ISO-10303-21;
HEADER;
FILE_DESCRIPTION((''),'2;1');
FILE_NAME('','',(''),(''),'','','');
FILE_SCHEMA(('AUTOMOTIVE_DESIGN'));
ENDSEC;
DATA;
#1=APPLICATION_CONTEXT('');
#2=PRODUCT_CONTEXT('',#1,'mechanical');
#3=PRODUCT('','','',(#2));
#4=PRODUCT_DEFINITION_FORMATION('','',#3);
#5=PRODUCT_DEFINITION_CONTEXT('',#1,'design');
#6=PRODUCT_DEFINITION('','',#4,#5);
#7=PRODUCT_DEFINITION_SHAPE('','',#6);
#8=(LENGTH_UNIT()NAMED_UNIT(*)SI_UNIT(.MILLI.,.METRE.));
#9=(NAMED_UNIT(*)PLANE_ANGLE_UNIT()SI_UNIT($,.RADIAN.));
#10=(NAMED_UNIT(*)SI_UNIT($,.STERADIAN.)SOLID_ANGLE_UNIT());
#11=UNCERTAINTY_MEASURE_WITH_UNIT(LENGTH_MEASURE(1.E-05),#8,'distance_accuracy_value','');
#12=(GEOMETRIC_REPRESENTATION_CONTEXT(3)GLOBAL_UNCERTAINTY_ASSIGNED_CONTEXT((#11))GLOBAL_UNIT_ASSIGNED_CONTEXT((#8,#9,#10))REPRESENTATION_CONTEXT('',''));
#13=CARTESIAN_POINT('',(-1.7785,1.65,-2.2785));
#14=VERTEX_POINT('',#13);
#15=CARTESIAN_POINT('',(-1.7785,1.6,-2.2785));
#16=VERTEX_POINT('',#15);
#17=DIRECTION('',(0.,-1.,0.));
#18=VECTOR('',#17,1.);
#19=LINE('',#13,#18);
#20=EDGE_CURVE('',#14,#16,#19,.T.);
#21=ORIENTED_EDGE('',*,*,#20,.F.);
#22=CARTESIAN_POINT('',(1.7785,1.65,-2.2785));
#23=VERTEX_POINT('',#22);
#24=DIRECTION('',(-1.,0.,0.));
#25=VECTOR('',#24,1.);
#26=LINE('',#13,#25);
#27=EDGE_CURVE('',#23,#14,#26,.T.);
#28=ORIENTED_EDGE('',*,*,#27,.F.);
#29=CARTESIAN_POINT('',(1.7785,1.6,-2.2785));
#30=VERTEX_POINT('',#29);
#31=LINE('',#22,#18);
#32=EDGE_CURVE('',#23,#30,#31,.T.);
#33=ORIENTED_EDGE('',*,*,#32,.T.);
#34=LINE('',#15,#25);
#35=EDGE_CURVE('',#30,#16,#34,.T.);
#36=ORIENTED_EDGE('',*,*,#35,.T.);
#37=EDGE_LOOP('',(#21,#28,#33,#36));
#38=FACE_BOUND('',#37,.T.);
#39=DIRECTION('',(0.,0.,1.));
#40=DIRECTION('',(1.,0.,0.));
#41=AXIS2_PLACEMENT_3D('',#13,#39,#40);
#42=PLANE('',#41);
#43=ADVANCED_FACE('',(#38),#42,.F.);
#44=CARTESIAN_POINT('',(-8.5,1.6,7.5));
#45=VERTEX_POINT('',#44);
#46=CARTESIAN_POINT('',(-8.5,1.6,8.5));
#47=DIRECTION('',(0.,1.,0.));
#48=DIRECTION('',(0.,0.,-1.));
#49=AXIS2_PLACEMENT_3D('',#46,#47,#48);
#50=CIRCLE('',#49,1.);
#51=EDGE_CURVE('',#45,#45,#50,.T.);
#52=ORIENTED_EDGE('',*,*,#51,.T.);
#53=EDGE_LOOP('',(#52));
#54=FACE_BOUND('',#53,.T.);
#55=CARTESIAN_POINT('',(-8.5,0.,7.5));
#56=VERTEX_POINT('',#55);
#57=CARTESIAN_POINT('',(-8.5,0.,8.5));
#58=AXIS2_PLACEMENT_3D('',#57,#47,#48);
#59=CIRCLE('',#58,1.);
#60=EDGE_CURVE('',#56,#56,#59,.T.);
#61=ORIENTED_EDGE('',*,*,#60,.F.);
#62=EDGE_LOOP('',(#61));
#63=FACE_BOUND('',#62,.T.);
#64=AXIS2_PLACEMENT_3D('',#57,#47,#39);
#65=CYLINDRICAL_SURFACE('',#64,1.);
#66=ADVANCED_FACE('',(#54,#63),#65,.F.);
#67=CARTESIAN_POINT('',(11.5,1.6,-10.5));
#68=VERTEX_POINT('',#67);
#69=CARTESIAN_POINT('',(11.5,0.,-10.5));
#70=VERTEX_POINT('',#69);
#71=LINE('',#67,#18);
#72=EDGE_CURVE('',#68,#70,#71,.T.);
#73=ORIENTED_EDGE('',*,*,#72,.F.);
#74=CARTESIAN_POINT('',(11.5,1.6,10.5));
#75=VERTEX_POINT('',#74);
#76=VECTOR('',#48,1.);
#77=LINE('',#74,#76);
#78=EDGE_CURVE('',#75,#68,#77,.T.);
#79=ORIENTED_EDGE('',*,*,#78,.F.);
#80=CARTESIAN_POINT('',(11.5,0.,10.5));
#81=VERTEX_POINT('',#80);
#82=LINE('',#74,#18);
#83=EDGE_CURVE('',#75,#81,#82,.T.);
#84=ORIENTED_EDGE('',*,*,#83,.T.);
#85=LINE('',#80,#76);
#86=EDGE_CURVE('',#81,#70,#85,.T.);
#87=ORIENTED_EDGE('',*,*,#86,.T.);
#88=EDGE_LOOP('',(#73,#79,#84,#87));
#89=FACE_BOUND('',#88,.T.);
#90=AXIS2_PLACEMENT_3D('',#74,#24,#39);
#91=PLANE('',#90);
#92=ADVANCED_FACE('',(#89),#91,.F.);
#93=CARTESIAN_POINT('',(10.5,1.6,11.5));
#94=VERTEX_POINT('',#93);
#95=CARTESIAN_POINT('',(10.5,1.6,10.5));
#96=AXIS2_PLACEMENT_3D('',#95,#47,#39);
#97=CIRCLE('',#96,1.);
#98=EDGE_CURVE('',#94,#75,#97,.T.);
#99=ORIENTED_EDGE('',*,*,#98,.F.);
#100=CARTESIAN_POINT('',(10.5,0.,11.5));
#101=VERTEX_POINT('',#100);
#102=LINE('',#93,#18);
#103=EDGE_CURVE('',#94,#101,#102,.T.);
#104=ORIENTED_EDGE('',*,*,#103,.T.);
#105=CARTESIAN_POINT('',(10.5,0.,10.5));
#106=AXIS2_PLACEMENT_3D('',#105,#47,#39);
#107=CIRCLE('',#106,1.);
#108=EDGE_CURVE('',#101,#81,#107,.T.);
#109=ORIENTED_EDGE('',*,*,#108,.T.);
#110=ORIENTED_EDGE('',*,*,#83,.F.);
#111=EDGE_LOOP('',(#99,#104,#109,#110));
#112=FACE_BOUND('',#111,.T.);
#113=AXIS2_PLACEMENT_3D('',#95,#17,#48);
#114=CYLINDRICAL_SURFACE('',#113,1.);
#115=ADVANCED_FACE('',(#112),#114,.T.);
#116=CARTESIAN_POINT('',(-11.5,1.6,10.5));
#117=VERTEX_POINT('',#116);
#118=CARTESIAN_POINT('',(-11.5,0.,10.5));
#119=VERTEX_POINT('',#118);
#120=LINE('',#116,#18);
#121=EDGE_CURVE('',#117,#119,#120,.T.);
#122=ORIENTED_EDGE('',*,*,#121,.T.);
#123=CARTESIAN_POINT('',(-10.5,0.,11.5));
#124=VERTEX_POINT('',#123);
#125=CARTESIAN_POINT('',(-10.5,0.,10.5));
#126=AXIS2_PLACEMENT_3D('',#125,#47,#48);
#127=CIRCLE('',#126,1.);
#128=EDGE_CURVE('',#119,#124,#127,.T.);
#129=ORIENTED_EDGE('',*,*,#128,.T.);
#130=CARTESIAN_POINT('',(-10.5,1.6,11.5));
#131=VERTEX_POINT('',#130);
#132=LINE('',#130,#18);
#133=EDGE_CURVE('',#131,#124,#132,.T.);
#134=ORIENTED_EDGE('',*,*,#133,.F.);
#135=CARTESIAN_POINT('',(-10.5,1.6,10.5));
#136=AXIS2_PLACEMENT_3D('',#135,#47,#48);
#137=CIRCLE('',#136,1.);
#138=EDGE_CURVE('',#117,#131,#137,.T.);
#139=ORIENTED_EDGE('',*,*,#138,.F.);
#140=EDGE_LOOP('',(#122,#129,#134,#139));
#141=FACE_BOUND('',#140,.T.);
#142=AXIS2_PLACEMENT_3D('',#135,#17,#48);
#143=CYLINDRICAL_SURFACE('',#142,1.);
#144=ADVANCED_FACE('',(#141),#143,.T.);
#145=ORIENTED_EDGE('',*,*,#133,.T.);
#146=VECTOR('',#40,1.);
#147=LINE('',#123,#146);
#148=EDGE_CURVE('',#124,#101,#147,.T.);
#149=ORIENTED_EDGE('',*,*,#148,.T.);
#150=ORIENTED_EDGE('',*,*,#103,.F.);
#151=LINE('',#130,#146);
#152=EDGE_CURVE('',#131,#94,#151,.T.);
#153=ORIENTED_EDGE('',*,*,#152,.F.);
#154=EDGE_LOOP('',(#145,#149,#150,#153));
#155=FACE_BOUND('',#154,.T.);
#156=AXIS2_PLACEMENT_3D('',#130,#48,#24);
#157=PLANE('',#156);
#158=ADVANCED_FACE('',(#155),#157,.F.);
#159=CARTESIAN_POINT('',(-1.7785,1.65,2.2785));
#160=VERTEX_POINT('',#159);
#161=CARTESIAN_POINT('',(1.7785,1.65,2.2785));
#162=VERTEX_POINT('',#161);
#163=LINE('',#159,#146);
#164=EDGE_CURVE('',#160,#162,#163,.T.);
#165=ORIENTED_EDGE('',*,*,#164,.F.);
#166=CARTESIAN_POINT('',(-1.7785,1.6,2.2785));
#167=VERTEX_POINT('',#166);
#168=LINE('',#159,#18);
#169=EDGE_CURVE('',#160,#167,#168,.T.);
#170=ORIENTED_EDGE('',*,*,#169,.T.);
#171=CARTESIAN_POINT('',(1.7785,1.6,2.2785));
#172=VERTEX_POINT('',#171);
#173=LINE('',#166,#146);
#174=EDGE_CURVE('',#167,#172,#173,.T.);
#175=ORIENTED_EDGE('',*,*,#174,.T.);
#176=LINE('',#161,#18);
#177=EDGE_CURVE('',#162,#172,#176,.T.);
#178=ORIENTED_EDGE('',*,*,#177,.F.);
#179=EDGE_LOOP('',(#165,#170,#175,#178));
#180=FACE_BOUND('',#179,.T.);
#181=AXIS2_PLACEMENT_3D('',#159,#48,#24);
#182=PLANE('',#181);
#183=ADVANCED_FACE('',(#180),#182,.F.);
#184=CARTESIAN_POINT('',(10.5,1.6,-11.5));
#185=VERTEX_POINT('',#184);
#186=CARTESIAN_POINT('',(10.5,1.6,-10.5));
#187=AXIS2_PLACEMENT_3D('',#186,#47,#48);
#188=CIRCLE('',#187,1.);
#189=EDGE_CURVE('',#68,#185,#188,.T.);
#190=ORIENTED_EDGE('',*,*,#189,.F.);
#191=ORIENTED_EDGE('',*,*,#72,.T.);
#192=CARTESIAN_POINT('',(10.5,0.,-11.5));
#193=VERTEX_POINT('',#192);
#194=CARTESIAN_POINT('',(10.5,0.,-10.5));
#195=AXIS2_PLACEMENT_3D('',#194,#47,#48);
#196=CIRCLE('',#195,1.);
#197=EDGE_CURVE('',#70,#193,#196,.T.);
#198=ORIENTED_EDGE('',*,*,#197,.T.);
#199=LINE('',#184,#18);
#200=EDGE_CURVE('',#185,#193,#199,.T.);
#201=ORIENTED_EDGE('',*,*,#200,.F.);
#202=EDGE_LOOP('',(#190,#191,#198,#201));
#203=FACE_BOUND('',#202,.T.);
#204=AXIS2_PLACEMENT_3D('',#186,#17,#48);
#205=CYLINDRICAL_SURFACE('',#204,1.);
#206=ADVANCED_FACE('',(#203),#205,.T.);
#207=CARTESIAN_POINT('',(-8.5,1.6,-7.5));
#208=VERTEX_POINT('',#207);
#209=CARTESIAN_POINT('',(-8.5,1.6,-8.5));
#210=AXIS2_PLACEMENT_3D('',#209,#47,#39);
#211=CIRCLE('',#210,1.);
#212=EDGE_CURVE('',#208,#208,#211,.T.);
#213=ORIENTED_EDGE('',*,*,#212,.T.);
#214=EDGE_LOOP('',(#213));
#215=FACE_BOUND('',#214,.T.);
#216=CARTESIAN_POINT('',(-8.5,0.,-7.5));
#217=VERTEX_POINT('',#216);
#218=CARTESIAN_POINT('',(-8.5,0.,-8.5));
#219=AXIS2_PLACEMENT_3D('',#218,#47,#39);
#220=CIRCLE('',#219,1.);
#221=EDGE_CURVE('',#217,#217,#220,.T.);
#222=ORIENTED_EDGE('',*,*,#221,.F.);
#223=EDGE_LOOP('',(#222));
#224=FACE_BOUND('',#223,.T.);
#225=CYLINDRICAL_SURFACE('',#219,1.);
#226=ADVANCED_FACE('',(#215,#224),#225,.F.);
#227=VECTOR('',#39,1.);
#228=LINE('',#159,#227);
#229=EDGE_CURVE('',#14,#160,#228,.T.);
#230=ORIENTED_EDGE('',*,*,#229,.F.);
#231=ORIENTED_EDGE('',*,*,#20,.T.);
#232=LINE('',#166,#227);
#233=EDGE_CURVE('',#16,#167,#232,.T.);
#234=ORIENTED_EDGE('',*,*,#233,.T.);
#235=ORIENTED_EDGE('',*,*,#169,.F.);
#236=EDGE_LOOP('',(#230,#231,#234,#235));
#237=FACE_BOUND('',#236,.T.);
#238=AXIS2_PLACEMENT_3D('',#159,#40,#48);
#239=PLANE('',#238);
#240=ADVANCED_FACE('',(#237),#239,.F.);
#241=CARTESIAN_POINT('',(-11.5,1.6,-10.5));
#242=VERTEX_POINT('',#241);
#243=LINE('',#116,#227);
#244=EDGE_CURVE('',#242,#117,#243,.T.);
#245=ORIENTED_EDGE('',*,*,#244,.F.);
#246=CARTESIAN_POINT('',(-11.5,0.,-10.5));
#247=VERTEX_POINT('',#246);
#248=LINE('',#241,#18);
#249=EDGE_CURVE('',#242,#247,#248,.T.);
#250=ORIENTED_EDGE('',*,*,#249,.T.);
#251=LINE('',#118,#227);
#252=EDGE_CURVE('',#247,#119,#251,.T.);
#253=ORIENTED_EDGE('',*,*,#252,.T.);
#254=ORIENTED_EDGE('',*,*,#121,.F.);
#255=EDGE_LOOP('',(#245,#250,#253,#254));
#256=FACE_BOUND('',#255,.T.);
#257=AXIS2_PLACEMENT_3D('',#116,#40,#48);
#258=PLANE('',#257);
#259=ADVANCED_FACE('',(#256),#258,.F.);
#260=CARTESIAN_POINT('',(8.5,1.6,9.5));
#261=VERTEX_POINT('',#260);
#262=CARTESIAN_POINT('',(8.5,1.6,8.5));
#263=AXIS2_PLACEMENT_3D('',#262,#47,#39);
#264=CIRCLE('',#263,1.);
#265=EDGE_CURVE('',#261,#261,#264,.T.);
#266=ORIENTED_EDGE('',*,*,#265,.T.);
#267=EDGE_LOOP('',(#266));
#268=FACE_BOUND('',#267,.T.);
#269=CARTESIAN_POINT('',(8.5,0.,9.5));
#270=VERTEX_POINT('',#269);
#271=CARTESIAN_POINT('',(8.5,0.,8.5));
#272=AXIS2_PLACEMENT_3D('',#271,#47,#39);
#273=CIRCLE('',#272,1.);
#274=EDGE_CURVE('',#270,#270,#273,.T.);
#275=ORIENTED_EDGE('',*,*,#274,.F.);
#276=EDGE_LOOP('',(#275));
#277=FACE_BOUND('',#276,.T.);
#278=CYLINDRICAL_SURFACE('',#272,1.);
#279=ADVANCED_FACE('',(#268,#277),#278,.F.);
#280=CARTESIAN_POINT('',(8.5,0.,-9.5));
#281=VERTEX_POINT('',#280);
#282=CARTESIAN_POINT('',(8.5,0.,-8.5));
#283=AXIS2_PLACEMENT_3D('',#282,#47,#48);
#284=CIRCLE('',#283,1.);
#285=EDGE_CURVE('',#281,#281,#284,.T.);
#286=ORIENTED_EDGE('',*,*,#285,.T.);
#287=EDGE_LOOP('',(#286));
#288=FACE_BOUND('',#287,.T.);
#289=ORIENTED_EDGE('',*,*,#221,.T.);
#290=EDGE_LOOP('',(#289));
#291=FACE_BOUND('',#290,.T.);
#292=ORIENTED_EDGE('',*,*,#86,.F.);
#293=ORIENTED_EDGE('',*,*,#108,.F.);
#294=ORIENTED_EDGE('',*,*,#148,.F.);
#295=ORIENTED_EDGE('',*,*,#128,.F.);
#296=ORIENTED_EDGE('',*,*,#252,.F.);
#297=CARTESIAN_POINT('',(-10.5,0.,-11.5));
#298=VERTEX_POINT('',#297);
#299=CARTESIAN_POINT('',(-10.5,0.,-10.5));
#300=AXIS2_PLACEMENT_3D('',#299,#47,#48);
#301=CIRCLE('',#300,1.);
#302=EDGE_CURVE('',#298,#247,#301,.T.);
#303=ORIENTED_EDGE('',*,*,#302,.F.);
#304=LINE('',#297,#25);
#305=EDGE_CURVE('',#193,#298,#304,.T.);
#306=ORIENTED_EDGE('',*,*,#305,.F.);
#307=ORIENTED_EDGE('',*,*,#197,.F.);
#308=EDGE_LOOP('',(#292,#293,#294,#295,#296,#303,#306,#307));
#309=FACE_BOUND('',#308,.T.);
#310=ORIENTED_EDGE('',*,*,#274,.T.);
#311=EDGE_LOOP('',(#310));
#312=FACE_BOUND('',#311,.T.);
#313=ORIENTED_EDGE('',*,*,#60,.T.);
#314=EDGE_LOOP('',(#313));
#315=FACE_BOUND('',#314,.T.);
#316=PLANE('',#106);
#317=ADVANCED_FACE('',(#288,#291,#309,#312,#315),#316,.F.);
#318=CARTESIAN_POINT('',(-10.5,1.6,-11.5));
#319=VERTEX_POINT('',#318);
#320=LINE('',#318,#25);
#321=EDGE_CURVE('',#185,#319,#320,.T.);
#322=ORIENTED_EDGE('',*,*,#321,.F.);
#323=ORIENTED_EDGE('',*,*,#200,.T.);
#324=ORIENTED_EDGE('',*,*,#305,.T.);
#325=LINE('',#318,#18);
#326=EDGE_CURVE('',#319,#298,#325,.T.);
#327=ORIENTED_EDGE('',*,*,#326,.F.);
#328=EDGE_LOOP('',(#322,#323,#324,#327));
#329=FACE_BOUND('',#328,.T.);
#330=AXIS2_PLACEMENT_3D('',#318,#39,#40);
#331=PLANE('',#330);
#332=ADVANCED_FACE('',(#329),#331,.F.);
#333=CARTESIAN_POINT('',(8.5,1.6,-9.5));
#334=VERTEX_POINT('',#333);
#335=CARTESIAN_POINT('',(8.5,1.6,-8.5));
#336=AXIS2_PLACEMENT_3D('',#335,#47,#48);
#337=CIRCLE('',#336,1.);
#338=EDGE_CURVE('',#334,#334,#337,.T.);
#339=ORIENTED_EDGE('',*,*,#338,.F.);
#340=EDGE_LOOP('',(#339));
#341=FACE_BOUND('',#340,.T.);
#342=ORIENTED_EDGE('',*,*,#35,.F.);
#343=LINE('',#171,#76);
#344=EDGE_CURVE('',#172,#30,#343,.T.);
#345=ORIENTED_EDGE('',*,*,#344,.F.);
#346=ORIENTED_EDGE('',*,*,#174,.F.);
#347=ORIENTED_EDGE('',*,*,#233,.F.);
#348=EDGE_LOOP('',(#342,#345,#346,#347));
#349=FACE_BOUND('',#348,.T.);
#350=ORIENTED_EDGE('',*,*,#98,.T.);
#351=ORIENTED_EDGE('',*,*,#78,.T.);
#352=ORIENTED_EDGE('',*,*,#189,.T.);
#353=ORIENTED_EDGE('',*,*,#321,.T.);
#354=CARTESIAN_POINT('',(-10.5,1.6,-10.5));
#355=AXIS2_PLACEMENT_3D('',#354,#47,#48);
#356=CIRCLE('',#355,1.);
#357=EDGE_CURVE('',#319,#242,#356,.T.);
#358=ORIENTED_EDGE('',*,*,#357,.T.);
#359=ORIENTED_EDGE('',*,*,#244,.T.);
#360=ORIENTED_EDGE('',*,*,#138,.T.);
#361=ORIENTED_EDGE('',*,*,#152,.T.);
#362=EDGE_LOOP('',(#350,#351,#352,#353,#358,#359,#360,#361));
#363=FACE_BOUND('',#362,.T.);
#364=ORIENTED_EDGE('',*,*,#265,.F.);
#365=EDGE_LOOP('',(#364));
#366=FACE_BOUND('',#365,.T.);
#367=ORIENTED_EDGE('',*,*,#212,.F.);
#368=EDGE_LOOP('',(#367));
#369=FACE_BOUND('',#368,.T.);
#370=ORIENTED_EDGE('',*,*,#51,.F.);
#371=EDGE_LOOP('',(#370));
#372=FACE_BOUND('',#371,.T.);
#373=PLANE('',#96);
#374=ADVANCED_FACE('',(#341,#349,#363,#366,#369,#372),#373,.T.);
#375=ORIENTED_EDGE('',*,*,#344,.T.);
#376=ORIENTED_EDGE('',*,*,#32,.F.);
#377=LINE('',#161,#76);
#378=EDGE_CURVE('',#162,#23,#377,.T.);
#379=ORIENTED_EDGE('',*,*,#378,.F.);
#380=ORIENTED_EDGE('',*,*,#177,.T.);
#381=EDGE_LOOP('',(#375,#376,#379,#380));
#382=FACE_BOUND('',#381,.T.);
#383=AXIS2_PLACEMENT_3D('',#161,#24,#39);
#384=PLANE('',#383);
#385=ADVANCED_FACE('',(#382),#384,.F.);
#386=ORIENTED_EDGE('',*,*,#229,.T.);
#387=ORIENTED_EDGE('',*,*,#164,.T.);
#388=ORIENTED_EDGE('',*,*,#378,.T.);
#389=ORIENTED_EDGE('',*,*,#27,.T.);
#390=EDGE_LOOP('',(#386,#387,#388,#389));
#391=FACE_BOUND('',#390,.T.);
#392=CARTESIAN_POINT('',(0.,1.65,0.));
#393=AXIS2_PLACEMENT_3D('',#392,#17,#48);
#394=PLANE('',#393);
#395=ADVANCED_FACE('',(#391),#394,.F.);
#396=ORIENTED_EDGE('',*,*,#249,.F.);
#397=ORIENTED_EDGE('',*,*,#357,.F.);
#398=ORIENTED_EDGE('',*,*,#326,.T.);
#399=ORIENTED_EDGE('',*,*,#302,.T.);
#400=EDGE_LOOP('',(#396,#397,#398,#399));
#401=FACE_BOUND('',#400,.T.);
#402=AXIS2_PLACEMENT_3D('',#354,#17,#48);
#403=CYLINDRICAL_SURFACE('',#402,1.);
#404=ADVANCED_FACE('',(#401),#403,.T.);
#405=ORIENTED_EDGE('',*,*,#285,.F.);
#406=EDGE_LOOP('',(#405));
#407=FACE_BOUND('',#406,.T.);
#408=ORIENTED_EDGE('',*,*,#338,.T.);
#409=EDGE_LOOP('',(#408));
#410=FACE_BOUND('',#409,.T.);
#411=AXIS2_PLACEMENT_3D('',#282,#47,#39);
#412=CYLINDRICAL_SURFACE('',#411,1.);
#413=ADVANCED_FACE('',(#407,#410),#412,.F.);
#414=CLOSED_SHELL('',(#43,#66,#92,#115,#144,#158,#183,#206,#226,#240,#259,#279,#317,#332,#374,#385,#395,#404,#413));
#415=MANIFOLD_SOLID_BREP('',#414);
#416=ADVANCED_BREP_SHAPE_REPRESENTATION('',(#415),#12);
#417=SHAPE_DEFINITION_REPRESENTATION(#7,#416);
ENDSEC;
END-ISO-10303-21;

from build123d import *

# Parameters (mm, degrees)
BOSS_EXTRUDE1_DEPTH = 1.6
SKETCH2_R           = 1
CUT_EXTRUDE1_DEPTH  = 1.6
SKETCH4_W           = 3.557
SKETCH4_H           = 4.557
BOSS_EXTRUDE2_DEPTH = 0.05


with BuildPart() as part:
    # Sketch1 → Boss-Extrude1 (new body)
    with BuildSketch(Plane(origin=(0, 0, 0), x_dir=(1, 0, 0), z_dir=(0, 1, 0))):
        with BuildLine():
            Line((-10.5, -11.5), (10.5, -11.5))
            ThreePointArc((10.5, -11.5), (11.207106781, -11.207106781), (11.5, -10.5))
            Line((11.5, -10.5), (11.5, 10.5))
            ThreePointArc((11.5, 10.5), (11.207106781, 11.207106781), (10.5, 11.5))
            Line((10.5, 11.5), (-10.5, 11.5))
            ThreePointArc((-10.5, 11.5), (-11.207106781, 11.207106781), (-11.5, 10.5))
            Line((-11.5, 10.5), (-11.5, -10.5))
            ThreePointArc((-11.5, -10.5), (-11.207106781, -11.207106781), (-10.5, -11.5))
        make_face()
    extrude(amount=BOSS_EXTRUDE1_DEPTH)

    # Sketch2 → Cut-Extrude1 (cut)
    with BuildSketch(Plane(origin=(0, 1.6, 0), x_dir=(1, 0, 0), z_dir=(0, 1, 0))):
        with Locations(Location((-8.5, 8.5, 0), (0, 0, 270))):
            Circle(SKETCH2_R)
        with Locations(Location((-8.5, -8.5, 0), (0, 0, 90))):
            Circle(SKETCH2_R)
        with Locations(Location((8.5, 8.5, 0), (0, 0, 90))):
            Circle(SKETCH2_R)
        with Locations(Location((8.5, -8.5, 0), (0, 0, 270))):
            Circle(SKETCH2_R)
    extrude(amount=-CUT_EXTRUDE1_DEPTH, mode=Mode.SUBTRACT)

    # Sketch4 → Boss-Extrude2 (add)
    with BuildSketch(Plane(origin=(0, 1.6, 0), x_dir=(1, 0, 0), z_dir=(0, 1, 0))):
        Rectangle(SKETCH4_W, SKETCH4_H)
    extrude(amount=BOSS_EXTRUDE2_DEPTH)


solid = part.part
